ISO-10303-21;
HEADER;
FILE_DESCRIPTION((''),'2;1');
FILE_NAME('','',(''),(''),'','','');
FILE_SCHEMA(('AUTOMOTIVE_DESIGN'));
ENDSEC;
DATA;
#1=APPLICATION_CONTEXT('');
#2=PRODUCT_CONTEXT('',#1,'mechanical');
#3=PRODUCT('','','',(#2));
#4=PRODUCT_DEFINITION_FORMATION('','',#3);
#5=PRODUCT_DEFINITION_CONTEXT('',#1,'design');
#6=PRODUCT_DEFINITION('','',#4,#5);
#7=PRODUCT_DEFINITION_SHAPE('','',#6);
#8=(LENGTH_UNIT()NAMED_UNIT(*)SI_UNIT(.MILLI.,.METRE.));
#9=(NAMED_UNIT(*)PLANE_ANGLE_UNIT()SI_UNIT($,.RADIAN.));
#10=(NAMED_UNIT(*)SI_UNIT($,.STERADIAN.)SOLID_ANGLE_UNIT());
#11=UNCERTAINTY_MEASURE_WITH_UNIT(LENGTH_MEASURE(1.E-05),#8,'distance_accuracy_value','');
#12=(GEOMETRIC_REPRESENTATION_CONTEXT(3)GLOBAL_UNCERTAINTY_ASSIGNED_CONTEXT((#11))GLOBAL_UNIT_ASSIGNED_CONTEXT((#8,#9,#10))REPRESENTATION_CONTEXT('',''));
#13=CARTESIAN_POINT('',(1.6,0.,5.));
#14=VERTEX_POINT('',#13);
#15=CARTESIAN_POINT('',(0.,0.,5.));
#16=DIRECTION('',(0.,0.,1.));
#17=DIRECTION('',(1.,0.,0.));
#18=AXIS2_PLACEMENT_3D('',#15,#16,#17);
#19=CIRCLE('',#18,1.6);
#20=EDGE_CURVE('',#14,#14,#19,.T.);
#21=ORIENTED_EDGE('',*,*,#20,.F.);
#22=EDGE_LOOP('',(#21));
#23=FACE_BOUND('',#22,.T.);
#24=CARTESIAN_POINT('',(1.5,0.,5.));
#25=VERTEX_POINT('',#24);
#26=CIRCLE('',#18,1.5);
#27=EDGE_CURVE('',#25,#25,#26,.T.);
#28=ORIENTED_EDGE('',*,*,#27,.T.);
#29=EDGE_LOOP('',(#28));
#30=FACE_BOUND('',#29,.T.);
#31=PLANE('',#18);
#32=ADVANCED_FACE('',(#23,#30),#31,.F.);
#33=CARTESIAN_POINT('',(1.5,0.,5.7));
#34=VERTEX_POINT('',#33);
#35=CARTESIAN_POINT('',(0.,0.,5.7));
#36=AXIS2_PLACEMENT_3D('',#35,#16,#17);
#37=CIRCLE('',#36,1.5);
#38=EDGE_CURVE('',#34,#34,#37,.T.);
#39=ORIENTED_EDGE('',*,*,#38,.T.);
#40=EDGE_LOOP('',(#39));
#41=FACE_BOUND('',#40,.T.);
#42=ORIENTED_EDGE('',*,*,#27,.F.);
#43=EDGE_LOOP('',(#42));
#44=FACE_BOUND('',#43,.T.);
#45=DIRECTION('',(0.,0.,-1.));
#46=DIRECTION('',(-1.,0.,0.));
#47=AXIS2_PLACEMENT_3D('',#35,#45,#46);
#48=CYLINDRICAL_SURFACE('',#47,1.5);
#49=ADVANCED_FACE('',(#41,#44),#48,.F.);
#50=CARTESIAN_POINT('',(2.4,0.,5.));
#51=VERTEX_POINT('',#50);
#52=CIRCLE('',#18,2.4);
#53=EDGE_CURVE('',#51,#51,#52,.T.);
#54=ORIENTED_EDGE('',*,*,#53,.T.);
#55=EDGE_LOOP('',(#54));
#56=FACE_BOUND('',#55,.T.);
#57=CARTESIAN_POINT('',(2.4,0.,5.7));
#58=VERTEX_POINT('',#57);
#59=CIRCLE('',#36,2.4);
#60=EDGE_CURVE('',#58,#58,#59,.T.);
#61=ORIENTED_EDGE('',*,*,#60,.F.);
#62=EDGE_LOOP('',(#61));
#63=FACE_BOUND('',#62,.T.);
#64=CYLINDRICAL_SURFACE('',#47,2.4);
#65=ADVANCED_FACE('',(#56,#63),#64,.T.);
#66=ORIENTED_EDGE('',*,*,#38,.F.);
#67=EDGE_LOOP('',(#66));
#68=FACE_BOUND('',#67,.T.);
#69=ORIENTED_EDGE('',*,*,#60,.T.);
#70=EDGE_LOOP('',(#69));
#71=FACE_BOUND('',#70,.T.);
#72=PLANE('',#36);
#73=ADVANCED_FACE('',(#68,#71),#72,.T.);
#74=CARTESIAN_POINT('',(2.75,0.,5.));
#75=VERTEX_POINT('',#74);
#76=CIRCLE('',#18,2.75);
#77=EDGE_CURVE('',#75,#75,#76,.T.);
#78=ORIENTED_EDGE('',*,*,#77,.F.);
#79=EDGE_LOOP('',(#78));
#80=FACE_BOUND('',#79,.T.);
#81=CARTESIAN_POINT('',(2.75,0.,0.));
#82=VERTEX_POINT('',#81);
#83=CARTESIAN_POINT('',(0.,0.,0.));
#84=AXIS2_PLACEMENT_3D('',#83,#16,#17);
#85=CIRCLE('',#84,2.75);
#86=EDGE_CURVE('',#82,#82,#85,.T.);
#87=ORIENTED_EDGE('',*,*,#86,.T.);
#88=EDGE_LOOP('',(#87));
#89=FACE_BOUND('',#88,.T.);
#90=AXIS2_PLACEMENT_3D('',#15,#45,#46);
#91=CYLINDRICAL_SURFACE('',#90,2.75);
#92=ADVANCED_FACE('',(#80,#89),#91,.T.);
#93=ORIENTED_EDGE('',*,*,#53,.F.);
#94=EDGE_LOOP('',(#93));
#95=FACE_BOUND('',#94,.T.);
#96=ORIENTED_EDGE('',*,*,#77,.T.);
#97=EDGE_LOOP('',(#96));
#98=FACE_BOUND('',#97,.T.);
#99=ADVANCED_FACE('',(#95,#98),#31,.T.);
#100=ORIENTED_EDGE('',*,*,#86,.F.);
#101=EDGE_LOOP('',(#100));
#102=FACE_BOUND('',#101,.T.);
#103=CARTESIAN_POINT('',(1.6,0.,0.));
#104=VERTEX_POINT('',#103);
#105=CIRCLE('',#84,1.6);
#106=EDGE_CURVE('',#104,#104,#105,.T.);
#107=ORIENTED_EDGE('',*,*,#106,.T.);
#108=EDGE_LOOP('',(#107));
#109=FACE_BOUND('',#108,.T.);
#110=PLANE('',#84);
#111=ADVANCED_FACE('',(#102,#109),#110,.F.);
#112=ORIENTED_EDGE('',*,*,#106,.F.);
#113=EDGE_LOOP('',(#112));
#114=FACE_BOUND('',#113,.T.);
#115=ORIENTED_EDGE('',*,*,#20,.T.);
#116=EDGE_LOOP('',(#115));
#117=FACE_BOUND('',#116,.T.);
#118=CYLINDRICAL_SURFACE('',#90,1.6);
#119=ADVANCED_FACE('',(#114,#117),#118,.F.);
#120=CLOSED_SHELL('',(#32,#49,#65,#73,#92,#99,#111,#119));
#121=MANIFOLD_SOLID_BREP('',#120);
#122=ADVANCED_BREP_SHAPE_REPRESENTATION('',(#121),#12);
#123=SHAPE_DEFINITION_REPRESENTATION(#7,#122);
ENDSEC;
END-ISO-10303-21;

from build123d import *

# Parameters (mm, degrees)
SKETCH1_R           = 2.75
SKETCH1_R_2         = 1.6
BOSS_EXTRUDE1_DEPTH = 5
SKETCH2_R           = 2.4
SKETCH2_R_2         = 1.5
BOSS_EXTRUDE2_DEPTH = 0.7


with BuildPart() as part:
    # Sketch1 → Boss-Extrude1 (new body)
    with BuildSketch(Plane.XY):
        Circle(SKETCH1_R)
        Circle(SKETCH1_R_2, mode=Mode.SUBTRACT)
    extrude(amount=BOSS_EXTRUDE1_DEPTH)

    # Sketch2 → Boss-Extrude2 (add)
    with BuildSketch(Plane.XY.offset(5)):
        Circle(SKETCH2_R)
        Circle(SKETCH2_R_2, mode=Mode.SUBTRACT)
    extrude(amount=BOSS_EXTRUDE2_DEPTH)


solid = part.part
